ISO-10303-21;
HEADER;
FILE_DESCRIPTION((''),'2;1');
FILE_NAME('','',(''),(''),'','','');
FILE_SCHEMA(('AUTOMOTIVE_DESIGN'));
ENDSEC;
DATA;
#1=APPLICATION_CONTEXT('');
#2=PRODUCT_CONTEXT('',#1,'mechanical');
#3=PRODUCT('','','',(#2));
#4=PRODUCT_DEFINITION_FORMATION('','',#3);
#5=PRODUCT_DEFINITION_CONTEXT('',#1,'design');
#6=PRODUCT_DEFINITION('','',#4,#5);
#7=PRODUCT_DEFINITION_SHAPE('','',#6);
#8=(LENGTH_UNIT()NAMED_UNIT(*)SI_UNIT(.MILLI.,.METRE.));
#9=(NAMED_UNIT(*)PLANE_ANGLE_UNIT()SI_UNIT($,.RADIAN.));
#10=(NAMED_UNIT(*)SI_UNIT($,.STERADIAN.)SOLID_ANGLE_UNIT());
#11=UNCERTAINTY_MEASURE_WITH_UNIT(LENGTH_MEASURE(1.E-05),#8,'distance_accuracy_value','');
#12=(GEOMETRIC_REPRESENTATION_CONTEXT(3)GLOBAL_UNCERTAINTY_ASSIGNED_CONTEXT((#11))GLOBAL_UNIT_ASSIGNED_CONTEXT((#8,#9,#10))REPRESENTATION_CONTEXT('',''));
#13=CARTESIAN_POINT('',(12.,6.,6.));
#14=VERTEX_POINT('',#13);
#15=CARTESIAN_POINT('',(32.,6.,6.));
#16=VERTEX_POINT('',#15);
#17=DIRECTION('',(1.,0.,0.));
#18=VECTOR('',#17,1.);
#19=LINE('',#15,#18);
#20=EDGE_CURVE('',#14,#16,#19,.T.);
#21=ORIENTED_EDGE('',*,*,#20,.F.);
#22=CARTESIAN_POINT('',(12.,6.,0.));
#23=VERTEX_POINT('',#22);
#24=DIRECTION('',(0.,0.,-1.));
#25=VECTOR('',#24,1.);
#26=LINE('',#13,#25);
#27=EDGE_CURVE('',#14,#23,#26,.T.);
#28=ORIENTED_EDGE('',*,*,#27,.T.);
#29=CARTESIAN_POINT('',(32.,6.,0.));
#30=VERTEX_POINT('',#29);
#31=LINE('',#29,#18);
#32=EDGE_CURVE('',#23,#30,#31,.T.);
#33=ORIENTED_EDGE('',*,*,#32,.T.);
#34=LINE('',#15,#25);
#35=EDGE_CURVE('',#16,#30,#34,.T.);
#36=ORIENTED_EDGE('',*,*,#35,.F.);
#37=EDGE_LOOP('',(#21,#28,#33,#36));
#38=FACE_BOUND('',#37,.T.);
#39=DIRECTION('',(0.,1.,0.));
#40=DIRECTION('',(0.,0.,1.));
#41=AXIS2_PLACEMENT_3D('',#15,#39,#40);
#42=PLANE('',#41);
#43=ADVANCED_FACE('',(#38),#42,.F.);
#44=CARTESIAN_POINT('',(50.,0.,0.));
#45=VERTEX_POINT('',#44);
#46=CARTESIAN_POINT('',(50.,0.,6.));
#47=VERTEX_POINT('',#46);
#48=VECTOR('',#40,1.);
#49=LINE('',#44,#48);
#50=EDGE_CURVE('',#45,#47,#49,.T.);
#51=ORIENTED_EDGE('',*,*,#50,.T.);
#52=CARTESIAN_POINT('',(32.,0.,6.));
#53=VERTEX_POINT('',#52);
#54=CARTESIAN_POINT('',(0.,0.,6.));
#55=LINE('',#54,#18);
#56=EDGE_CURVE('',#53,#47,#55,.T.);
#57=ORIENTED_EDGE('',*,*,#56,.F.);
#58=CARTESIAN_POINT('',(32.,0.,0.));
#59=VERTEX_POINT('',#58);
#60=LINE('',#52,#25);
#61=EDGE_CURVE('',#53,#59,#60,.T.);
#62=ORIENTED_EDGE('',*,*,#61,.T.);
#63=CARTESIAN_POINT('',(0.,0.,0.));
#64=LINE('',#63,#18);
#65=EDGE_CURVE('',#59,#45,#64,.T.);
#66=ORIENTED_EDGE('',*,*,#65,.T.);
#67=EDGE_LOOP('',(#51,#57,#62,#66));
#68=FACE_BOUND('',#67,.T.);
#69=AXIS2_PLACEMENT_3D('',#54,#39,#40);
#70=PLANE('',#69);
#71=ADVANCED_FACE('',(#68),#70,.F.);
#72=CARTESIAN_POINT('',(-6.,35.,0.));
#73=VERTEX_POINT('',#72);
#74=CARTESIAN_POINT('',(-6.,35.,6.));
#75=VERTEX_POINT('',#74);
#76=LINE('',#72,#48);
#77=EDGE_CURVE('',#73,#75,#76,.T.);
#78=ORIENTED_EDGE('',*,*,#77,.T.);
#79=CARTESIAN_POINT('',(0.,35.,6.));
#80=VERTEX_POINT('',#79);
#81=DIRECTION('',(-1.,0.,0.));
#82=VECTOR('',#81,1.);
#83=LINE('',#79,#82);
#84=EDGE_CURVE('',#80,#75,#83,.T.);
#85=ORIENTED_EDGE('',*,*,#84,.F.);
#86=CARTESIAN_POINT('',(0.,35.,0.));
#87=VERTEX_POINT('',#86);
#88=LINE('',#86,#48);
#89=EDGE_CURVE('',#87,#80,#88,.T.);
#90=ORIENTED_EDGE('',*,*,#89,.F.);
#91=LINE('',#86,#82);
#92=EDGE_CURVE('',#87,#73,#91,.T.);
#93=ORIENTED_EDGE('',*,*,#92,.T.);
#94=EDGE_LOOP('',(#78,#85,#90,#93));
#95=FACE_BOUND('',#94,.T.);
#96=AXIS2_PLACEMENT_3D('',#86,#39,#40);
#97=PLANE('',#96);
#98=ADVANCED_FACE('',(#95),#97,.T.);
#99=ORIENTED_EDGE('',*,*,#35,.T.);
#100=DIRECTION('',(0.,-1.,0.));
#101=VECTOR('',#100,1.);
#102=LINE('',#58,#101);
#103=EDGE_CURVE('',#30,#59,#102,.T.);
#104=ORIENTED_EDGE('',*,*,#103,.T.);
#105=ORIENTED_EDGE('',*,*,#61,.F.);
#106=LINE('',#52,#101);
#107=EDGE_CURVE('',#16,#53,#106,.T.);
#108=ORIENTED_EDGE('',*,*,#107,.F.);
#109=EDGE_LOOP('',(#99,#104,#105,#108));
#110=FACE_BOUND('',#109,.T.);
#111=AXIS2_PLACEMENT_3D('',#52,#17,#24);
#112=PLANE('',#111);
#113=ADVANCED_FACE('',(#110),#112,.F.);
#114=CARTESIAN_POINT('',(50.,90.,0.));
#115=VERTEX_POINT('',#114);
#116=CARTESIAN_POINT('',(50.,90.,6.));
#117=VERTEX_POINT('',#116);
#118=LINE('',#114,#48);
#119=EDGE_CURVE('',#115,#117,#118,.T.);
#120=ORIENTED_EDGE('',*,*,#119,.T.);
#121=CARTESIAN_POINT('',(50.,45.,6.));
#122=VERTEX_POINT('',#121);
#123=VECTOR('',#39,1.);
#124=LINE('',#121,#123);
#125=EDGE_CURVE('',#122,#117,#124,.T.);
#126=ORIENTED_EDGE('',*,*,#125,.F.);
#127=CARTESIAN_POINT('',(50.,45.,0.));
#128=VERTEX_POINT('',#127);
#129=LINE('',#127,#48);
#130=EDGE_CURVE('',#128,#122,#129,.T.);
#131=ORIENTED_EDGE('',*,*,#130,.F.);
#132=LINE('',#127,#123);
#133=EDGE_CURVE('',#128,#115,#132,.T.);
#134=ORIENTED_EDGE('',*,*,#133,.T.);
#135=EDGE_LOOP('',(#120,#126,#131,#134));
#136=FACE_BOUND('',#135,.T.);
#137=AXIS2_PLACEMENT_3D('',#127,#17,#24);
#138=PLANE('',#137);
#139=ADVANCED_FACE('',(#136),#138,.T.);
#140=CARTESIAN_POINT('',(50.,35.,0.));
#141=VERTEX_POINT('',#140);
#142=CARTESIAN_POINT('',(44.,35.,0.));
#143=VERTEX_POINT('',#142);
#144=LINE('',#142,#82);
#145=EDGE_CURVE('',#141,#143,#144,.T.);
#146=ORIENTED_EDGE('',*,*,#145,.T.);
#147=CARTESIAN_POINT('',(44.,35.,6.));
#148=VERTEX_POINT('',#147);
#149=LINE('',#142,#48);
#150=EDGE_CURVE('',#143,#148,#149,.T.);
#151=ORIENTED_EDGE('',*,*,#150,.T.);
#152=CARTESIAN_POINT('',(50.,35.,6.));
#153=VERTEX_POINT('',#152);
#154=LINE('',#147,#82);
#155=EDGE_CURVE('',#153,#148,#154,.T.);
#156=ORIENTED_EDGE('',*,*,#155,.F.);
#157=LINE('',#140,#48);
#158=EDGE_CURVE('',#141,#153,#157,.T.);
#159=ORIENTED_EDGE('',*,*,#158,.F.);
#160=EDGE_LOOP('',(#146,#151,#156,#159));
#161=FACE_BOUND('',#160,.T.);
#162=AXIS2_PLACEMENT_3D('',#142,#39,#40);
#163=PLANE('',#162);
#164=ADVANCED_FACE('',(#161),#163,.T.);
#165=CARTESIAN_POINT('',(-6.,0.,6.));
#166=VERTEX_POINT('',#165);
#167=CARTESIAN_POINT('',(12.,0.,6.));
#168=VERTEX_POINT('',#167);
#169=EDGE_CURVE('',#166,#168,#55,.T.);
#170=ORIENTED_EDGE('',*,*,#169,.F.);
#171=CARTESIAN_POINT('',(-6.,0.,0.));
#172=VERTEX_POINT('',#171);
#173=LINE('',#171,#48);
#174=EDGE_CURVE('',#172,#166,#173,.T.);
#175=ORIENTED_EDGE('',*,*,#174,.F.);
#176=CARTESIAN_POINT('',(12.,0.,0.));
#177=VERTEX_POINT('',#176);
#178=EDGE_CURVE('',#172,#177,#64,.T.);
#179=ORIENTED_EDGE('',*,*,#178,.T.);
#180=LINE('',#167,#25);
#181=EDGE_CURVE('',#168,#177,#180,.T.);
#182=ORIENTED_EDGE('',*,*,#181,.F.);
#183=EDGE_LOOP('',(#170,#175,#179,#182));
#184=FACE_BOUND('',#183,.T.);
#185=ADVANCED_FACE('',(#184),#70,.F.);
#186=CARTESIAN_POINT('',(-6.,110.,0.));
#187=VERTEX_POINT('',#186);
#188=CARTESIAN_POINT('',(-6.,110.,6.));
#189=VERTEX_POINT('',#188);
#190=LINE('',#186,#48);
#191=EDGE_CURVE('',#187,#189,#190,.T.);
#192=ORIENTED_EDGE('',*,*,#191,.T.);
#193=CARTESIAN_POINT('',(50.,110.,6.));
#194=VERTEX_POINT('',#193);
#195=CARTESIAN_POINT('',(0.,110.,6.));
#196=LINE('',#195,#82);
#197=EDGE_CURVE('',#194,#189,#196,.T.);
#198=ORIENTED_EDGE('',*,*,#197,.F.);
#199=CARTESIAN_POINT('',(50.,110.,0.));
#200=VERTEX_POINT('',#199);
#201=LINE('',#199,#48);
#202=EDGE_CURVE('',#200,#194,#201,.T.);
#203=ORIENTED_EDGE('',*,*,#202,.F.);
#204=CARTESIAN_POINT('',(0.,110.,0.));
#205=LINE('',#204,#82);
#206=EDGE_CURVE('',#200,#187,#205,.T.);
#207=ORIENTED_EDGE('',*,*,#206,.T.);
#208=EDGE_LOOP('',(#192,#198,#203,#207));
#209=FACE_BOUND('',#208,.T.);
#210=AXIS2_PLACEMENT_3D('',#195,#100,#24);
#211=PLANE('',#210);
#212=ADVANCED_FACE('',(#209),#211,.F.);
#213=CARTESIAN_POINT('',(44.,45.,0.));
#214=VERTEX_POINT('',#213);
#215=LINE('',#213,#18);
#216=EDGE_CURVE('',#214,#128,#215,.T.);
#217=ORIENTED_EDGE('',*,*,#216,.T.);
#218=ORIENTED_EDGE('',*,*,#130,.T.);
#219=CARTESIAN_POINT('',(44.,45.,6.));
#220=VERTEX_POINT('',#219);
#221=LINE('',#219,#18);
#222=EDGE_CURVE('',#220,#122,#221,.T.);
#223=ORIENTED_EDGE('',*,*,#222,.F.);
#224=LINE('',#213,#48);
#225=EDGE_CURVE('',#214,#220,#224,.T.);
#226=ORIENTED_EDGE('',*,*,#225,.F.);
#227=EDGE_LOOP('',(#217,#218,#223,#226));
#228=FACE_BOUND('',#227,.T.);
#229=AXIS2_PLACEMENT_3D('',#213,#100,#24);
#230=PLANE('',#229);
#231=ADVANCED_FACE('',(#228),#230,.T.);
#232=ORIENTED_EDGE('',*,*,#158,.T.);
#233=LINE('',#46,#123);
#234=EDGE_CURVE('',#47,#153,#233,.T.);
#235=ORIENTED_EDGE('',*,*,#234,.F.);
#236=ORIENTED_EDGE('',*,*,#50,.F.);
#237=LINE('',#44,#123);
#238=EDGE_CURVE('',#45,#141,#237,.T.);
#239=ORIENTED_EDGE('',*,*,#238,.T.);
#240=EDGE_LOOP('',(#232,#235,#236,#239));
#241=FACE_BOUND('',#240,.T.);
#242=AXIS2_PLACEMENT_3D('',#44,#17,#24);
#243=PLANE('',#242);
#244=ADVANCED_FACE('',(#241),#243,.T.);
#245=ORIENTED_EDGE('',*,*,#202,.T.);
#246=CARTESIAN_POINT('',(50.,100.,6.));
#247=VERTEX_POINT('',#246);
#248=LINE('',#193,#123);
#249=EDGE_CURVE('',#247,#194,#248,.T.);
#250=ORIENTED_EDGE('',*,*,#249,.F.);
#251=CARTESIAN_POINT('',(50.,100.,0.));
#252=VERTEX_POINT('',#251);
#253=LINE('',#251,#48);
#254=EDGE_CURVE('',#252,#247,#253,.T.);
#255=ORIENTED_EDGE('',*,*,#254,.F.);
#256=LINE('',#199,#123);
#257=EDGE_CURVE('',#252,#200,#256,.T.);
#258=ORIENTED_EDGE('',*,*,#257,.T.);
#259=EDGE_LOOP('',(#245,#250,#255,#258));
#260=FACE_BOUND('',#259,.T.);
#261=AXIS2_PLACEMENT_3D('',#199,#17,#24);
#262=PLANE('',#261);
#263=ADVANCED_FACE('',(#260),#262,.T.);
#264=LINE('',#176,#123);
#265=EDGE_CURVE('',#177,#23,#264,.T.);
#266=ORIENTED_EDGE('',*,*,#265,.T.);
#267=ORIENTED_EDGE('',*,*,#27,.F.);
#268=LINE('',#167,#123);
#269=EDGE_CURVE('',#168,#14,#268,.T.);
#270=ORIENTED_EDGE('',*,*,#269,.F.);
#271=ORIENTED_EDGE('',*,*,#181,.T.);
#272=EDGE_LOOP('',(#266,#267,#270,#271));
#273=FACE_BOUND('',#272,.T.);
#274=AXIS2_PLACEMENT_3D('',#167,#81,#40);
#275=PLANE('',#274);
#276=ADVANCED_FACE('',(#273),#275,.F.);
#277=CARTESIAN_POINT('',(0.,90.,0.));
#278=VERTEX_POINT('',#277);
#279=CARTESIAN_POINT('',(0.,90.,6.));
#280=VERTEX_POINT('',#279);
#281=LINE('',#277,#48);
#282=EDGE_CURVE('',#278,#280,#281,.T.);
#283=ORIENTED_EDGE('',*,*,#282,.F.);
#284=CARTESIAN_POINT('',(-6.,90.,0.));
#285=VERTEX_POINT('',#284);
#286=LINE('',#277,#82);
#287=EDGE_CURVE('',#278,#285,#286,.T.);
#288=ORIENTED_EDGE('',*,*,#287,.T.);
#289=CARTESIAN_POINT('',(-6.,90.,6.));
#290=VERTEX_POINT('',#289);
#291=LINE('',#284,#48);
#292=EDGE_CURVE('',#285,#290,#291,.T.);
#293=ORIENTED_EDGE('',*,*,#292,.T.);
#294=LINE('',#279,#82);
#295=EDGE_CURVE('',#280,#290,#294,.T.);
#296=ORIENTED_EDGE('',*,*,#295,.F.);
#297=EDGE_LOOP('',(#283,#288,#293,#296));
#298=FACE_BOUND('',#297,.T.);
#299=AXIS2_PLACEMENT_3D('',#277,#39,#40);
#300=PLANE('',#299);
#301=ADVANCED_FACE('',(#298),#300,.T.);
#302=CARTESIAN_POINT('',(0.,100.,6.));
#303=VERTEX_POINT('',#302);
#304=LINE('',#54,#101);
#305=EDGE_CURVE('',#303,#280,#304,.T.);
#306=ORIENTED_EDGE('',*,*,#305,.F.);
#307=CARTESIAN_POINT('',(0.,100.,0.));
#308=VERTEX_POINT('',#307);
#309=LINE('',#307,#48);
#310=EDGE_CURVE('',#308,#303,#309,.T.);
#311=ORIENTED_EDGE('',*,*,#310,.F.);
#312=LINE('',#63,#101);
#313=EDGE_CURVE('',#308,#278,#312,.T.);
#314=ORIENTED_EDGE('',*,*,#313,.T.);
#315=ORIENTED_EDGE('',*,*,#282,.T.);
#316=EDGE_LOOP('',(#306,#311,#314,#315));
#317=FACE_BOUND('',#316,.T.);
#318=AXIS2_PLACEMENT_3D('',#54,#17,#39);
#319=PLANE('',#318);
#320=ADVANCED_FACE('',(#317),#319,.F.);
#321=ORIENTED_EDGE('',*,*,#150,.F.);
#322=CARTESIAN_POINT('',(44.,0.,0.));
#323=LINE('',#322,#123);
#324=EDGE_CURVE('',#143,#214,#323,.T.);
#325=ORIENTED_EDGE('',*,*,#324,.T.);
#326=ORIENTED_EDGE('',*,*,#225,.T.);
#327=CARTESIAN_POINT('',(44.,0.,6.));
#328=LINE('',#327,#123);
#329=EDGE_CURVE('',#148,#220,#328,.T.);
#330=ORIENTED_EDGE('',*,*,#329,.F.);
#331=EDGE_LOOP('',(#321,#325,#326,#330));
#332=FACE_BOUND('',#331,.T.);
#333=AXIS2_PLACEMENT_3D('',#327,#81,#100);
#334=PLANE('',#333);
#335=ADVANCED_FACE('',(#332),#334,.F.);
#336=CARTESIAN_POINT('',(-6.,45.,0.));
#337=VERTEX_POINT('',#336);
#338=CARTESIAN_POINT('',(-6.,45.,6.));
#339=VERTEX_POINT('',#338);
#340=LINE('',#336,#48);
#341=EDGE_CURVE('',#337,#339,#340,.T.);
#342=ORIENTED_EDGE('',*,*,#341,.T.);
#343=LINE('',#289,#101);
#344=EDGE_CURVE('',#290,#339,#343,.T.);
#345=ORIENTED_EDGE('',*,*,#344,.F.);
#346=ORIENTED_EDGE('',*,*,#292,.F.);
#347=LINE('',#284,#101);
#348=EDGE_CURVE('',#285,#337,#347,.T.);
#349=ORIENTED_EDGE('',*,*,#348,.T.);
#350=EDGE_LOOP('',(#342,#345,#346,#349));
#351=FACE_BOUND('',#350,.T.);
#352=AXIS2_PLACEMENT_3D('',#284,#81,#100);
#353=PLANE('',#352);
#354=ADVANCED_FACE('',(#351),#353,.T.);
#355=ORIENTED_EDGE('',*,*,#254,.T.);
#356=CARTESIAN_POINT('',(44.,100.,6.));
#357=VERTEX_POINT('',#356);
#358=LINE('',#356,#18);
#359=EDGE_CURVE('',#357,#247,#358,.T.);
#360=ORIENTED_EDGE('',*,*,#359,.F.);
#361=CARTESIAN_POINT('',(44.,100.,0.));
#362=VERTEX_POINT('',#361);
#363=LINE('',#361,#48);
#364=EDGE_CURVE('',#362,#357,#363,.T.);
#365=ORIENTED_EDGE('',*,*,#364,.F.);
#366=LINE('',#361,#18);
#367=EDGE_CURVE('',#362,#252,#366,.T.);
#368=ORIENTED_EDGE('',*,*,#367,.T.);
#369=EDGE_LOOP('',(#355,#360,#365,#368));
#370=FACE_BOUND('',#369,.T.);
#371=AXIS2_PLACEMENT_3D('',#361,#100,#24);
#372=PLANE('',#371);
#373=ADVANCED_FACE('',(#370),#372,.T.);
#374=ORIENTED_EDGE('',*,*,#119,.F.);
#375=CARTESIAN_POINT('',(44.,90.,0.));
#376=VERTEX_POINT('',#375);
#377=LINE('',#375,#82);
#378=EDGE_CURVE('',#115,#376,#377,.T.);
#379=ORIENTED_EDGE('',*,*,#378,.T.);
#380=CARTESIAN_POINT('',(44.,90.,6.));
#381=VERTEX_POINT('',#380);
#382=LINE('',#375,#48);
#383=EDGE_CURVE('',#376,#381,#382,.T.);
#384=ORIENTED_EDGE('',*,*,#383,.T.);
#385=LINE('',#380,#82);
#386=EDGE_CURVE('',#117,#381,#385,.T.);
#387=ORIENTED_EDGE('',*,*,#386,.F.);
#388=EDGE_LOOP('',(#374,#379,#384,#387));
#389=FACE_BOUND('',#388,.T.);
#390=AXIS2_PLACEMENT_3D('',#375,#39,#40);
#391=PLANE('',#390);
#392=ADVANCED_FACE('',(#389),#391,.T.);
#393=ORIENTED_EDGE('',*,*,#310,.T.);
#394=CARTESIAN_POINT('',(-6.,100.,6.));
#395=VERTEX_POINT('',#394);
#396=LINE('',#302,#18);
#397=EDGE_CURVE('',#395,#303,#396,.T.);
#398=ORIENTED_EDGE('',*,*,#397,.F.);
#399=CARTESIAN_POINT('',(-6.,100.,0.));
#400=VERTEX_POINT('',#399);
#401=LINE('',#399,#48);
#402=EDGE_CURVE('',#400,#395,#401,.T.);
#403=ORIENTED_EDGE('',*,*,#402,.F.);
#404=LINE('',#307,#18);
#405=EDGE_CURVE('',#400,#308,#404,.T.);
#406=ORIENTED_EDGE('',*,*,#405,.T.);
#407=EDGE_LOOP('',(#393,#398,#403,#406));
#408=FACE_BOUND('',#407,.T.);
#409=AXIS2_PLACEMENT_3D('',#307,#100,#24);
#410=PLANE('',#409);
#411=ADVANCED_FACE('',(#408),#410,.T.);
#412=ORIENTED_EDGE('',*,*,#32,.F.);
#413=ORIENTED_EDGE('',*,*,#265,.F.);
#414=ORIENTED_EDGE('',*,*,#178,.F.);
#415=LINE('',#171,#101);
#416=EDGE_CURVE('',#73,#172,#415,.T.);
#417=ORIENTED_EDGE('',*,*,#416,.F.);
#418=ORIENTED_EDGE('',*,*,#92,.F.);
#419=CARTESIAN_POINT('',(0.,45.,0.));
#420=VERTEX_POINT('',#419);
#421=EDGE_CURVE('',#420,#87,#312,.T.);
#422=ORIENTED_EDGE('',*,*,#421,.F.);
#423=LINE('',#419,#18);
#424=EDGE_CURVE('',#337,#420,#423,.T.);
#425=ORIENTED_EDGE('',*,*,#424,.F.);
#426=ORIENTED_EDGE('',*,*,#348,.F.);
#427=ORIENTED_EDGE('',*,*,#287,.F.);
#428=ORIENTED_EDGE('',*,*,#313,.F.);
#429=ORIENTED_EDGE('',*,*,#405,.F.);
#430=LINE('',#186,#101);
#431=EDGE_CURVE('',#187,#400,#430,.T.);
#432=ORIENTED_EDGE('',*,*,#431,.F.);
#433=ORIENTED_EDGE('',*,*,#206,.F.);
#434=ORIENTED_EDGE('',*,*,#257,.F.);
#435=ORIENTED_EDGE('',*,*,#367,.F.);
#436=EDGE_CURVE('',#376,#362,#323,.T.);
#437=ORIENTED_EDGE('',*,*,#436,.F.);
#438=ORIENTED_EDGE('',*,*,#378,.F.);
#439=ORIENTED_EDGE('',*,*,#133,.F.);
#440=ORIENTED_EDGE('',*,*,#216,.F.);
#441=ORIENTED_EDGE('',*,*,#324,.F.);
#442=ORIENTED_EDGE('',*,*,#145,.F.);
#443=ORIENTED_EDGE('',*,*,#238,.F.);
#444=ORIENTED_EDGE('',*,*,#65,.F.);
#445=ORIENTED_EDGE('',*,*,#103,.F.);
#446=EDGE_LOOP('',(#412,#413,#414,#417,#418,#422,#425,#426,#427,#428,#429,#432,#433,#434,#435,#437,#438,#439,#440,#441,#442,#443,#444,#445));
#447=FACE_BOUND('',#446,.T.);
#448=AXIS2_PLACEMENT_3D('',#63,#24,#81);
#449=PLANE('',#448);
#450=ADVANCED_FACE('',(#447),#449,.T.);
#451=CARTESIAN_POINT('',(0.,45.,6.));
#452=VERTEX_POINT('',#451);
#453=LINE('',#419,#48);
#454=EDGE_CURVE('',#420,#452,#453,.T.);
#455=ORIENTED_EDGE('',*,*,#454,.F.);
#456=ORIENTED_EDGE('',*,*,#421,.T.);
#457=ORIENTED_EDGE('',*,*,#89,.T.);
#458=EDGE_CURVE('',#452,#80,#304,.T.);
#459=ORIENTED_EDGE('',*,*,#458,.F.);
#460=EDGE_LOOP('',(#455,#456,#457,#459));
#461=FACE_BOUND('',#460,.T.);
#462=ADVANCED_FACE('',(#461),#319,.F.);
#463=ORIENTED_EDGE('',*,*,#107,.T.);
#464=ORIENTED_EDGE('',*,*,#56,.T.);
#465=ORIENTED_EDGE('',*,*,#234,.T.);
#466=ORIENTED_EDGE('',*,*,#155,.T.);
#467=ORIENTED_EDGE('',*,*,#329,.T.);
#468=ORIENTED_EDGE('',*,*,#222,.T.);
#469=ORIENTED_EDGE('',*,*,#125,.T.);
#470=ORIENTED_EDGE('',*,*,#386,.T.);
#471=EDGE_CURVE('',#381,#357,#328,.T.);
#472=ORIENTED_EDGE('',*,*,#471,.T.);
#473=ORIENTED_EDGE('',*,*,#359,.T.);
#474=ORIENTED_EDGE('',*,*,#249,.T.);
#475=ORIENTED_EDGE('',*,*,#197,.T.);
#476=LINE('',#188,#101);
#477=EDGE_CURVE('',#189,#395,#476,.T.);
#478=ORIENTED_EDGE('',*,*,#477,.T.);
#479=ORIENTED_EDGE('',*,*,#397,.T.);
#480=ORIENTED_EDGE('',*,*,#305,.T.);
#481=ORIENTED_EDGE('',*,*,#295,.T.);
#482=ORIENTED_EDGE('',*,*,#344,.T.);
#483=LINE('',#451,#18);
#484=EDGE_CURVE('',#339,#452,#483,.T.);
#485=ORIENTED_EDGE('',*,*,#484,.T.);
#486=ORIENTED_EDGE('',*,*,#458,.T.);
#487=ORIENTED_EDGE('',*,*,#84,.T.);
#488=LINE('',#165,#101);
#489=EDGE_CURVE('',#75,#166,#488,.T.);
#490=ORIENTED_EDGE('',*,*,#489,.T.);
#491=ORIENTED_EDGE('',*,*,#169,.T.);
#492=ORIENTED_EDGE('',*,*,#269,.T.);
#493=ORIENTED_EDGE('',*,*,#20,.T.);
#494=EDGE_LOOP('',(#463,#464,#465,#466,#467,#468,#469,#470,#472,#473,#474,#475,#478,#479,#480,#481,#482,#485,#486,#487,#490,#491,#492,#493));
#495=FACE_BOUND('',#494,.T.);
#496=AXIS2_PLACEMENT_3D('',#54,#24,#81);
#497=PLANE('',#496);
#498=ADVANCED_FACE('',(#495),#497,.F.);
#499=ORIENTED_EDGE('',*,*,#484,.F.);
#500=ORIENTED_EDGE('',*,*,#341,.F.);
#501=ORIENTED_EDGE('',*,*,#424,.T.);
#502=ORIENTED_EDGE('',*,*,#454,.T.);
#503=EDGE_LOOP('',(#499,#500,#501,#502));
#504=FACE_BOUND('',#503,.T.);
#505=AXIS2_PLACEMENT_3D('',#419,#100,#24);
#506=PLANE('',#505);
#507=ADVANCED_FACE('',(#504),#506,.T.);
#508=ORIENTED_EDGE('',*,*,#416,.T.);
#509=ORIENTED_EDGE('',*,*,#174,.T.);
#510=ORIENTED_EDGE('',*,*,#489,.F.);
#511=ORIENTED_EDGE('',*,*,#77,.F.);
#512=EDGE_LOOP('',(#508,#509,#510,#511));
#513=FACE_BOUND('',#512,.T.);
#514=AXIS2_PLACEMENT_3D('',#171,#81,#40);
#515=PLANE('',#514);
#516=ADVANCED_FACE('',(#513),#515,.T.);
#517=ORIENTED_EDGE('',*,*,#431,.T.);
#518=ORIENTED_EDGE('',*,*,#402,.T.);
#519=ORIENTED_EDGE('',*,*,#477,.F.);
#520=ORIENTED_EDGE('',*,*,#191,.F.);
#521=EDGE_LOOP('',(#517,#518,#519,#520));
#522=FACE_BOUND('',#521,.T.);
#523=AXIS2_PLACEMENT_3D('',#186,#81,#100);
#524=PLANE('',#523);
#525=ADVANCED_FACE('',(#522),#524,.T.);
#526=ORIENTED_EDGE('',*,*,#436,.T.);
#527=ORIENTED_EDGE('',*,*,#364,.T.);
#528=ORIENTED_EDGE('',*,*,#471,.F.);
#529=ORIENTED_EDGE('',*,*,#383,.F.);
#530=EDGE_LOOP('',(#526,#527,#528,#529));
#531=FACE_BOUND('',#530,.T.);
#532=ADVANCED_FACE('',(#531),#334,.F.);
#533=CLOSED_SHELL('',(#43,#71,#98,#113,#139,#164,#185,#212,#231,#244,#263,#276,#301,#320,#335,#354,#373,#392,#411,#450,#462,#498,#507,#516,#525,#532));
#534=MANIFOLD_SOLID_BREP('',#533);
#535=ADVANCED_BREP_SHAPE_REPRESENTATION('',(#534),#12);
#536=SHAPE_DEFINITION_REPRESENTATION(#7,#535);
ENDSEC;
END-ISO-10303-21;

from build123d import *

# Parameters (mm, degrees)
ESQUISSE1_W             = 44
ESQUISSE1_H             = 110
BOSS_EXTRU_1_DEPTH      = 6
ESQUISSE4_W             = 6
ESQUISSE4_H             = 10
ESQUISSE4_H_2           = 45
ESQUISSE4_H_3           = 35
BOSS_EXTRU_2_DEPTH      = 6
ESQUISSE5_W             = 20
ESQUISSE5_H             = 6
ENL_V_MAT_EXTRU_1_DEPTH = 6


with BuildPart() as part:
    # Esquisse1 → Boss.-Extru.1 (new body)
    with BuildSketch(Plane.XY):
        with Locations((22, 55)):
            Rectangle(ESQUISSE1_W, ESQUISSE1_H)
    extrude(amount=BOSS_EXTRU_1_DEPTH)

    # Esquisse4 → Boss.-Extru.2 (add)
    with BuildSketch(Plane.XY.offset(6)):
        with Locations((-3, 105)):
            Rectangle(ESQUISSE4_W, ESQUISSE4_H)
        with Locations((-3, 67.5)):
            Rectangle(ESQUISSE4_W, ESQUISSE4_H_2)
        with Locations((-3, 17.5)):
            Rectangle(ESQUISSE4_W, ESQUISSE4_H_3)
        with Locations((47, 17.5)):
            Rectangle(ESQUISSE4_W, ESQUISSE4_H_3)
        with Locations((47, 67.5)):
            Rectangle(ESQUISSE4_W, ESQUISSE4_H_2)
        with Locations((47, 105)):
            Rectangle(ESQUISSE4_W, ESQUISSE4_H)
    extrude(amount=-BOSS_EXTRU_2_DEPTH)

    # Esquisse5 → Enlèv. mat.-Extru.1 (cut)
    with BuildSketch(Plane(origin=(0, 0, 0), x_dir=(-1, 0, 0), z_dir=(0, 0, -1))):
        with Locations((-22, 3)):
            Rectangle(ESQUISSE5_W, ESQUISSE5_H)
    extrude(amount=-ENL_V_MAT_EXTRU_1_DEPTH, mode=Mode.SUBTRACT)


solid = part.part
